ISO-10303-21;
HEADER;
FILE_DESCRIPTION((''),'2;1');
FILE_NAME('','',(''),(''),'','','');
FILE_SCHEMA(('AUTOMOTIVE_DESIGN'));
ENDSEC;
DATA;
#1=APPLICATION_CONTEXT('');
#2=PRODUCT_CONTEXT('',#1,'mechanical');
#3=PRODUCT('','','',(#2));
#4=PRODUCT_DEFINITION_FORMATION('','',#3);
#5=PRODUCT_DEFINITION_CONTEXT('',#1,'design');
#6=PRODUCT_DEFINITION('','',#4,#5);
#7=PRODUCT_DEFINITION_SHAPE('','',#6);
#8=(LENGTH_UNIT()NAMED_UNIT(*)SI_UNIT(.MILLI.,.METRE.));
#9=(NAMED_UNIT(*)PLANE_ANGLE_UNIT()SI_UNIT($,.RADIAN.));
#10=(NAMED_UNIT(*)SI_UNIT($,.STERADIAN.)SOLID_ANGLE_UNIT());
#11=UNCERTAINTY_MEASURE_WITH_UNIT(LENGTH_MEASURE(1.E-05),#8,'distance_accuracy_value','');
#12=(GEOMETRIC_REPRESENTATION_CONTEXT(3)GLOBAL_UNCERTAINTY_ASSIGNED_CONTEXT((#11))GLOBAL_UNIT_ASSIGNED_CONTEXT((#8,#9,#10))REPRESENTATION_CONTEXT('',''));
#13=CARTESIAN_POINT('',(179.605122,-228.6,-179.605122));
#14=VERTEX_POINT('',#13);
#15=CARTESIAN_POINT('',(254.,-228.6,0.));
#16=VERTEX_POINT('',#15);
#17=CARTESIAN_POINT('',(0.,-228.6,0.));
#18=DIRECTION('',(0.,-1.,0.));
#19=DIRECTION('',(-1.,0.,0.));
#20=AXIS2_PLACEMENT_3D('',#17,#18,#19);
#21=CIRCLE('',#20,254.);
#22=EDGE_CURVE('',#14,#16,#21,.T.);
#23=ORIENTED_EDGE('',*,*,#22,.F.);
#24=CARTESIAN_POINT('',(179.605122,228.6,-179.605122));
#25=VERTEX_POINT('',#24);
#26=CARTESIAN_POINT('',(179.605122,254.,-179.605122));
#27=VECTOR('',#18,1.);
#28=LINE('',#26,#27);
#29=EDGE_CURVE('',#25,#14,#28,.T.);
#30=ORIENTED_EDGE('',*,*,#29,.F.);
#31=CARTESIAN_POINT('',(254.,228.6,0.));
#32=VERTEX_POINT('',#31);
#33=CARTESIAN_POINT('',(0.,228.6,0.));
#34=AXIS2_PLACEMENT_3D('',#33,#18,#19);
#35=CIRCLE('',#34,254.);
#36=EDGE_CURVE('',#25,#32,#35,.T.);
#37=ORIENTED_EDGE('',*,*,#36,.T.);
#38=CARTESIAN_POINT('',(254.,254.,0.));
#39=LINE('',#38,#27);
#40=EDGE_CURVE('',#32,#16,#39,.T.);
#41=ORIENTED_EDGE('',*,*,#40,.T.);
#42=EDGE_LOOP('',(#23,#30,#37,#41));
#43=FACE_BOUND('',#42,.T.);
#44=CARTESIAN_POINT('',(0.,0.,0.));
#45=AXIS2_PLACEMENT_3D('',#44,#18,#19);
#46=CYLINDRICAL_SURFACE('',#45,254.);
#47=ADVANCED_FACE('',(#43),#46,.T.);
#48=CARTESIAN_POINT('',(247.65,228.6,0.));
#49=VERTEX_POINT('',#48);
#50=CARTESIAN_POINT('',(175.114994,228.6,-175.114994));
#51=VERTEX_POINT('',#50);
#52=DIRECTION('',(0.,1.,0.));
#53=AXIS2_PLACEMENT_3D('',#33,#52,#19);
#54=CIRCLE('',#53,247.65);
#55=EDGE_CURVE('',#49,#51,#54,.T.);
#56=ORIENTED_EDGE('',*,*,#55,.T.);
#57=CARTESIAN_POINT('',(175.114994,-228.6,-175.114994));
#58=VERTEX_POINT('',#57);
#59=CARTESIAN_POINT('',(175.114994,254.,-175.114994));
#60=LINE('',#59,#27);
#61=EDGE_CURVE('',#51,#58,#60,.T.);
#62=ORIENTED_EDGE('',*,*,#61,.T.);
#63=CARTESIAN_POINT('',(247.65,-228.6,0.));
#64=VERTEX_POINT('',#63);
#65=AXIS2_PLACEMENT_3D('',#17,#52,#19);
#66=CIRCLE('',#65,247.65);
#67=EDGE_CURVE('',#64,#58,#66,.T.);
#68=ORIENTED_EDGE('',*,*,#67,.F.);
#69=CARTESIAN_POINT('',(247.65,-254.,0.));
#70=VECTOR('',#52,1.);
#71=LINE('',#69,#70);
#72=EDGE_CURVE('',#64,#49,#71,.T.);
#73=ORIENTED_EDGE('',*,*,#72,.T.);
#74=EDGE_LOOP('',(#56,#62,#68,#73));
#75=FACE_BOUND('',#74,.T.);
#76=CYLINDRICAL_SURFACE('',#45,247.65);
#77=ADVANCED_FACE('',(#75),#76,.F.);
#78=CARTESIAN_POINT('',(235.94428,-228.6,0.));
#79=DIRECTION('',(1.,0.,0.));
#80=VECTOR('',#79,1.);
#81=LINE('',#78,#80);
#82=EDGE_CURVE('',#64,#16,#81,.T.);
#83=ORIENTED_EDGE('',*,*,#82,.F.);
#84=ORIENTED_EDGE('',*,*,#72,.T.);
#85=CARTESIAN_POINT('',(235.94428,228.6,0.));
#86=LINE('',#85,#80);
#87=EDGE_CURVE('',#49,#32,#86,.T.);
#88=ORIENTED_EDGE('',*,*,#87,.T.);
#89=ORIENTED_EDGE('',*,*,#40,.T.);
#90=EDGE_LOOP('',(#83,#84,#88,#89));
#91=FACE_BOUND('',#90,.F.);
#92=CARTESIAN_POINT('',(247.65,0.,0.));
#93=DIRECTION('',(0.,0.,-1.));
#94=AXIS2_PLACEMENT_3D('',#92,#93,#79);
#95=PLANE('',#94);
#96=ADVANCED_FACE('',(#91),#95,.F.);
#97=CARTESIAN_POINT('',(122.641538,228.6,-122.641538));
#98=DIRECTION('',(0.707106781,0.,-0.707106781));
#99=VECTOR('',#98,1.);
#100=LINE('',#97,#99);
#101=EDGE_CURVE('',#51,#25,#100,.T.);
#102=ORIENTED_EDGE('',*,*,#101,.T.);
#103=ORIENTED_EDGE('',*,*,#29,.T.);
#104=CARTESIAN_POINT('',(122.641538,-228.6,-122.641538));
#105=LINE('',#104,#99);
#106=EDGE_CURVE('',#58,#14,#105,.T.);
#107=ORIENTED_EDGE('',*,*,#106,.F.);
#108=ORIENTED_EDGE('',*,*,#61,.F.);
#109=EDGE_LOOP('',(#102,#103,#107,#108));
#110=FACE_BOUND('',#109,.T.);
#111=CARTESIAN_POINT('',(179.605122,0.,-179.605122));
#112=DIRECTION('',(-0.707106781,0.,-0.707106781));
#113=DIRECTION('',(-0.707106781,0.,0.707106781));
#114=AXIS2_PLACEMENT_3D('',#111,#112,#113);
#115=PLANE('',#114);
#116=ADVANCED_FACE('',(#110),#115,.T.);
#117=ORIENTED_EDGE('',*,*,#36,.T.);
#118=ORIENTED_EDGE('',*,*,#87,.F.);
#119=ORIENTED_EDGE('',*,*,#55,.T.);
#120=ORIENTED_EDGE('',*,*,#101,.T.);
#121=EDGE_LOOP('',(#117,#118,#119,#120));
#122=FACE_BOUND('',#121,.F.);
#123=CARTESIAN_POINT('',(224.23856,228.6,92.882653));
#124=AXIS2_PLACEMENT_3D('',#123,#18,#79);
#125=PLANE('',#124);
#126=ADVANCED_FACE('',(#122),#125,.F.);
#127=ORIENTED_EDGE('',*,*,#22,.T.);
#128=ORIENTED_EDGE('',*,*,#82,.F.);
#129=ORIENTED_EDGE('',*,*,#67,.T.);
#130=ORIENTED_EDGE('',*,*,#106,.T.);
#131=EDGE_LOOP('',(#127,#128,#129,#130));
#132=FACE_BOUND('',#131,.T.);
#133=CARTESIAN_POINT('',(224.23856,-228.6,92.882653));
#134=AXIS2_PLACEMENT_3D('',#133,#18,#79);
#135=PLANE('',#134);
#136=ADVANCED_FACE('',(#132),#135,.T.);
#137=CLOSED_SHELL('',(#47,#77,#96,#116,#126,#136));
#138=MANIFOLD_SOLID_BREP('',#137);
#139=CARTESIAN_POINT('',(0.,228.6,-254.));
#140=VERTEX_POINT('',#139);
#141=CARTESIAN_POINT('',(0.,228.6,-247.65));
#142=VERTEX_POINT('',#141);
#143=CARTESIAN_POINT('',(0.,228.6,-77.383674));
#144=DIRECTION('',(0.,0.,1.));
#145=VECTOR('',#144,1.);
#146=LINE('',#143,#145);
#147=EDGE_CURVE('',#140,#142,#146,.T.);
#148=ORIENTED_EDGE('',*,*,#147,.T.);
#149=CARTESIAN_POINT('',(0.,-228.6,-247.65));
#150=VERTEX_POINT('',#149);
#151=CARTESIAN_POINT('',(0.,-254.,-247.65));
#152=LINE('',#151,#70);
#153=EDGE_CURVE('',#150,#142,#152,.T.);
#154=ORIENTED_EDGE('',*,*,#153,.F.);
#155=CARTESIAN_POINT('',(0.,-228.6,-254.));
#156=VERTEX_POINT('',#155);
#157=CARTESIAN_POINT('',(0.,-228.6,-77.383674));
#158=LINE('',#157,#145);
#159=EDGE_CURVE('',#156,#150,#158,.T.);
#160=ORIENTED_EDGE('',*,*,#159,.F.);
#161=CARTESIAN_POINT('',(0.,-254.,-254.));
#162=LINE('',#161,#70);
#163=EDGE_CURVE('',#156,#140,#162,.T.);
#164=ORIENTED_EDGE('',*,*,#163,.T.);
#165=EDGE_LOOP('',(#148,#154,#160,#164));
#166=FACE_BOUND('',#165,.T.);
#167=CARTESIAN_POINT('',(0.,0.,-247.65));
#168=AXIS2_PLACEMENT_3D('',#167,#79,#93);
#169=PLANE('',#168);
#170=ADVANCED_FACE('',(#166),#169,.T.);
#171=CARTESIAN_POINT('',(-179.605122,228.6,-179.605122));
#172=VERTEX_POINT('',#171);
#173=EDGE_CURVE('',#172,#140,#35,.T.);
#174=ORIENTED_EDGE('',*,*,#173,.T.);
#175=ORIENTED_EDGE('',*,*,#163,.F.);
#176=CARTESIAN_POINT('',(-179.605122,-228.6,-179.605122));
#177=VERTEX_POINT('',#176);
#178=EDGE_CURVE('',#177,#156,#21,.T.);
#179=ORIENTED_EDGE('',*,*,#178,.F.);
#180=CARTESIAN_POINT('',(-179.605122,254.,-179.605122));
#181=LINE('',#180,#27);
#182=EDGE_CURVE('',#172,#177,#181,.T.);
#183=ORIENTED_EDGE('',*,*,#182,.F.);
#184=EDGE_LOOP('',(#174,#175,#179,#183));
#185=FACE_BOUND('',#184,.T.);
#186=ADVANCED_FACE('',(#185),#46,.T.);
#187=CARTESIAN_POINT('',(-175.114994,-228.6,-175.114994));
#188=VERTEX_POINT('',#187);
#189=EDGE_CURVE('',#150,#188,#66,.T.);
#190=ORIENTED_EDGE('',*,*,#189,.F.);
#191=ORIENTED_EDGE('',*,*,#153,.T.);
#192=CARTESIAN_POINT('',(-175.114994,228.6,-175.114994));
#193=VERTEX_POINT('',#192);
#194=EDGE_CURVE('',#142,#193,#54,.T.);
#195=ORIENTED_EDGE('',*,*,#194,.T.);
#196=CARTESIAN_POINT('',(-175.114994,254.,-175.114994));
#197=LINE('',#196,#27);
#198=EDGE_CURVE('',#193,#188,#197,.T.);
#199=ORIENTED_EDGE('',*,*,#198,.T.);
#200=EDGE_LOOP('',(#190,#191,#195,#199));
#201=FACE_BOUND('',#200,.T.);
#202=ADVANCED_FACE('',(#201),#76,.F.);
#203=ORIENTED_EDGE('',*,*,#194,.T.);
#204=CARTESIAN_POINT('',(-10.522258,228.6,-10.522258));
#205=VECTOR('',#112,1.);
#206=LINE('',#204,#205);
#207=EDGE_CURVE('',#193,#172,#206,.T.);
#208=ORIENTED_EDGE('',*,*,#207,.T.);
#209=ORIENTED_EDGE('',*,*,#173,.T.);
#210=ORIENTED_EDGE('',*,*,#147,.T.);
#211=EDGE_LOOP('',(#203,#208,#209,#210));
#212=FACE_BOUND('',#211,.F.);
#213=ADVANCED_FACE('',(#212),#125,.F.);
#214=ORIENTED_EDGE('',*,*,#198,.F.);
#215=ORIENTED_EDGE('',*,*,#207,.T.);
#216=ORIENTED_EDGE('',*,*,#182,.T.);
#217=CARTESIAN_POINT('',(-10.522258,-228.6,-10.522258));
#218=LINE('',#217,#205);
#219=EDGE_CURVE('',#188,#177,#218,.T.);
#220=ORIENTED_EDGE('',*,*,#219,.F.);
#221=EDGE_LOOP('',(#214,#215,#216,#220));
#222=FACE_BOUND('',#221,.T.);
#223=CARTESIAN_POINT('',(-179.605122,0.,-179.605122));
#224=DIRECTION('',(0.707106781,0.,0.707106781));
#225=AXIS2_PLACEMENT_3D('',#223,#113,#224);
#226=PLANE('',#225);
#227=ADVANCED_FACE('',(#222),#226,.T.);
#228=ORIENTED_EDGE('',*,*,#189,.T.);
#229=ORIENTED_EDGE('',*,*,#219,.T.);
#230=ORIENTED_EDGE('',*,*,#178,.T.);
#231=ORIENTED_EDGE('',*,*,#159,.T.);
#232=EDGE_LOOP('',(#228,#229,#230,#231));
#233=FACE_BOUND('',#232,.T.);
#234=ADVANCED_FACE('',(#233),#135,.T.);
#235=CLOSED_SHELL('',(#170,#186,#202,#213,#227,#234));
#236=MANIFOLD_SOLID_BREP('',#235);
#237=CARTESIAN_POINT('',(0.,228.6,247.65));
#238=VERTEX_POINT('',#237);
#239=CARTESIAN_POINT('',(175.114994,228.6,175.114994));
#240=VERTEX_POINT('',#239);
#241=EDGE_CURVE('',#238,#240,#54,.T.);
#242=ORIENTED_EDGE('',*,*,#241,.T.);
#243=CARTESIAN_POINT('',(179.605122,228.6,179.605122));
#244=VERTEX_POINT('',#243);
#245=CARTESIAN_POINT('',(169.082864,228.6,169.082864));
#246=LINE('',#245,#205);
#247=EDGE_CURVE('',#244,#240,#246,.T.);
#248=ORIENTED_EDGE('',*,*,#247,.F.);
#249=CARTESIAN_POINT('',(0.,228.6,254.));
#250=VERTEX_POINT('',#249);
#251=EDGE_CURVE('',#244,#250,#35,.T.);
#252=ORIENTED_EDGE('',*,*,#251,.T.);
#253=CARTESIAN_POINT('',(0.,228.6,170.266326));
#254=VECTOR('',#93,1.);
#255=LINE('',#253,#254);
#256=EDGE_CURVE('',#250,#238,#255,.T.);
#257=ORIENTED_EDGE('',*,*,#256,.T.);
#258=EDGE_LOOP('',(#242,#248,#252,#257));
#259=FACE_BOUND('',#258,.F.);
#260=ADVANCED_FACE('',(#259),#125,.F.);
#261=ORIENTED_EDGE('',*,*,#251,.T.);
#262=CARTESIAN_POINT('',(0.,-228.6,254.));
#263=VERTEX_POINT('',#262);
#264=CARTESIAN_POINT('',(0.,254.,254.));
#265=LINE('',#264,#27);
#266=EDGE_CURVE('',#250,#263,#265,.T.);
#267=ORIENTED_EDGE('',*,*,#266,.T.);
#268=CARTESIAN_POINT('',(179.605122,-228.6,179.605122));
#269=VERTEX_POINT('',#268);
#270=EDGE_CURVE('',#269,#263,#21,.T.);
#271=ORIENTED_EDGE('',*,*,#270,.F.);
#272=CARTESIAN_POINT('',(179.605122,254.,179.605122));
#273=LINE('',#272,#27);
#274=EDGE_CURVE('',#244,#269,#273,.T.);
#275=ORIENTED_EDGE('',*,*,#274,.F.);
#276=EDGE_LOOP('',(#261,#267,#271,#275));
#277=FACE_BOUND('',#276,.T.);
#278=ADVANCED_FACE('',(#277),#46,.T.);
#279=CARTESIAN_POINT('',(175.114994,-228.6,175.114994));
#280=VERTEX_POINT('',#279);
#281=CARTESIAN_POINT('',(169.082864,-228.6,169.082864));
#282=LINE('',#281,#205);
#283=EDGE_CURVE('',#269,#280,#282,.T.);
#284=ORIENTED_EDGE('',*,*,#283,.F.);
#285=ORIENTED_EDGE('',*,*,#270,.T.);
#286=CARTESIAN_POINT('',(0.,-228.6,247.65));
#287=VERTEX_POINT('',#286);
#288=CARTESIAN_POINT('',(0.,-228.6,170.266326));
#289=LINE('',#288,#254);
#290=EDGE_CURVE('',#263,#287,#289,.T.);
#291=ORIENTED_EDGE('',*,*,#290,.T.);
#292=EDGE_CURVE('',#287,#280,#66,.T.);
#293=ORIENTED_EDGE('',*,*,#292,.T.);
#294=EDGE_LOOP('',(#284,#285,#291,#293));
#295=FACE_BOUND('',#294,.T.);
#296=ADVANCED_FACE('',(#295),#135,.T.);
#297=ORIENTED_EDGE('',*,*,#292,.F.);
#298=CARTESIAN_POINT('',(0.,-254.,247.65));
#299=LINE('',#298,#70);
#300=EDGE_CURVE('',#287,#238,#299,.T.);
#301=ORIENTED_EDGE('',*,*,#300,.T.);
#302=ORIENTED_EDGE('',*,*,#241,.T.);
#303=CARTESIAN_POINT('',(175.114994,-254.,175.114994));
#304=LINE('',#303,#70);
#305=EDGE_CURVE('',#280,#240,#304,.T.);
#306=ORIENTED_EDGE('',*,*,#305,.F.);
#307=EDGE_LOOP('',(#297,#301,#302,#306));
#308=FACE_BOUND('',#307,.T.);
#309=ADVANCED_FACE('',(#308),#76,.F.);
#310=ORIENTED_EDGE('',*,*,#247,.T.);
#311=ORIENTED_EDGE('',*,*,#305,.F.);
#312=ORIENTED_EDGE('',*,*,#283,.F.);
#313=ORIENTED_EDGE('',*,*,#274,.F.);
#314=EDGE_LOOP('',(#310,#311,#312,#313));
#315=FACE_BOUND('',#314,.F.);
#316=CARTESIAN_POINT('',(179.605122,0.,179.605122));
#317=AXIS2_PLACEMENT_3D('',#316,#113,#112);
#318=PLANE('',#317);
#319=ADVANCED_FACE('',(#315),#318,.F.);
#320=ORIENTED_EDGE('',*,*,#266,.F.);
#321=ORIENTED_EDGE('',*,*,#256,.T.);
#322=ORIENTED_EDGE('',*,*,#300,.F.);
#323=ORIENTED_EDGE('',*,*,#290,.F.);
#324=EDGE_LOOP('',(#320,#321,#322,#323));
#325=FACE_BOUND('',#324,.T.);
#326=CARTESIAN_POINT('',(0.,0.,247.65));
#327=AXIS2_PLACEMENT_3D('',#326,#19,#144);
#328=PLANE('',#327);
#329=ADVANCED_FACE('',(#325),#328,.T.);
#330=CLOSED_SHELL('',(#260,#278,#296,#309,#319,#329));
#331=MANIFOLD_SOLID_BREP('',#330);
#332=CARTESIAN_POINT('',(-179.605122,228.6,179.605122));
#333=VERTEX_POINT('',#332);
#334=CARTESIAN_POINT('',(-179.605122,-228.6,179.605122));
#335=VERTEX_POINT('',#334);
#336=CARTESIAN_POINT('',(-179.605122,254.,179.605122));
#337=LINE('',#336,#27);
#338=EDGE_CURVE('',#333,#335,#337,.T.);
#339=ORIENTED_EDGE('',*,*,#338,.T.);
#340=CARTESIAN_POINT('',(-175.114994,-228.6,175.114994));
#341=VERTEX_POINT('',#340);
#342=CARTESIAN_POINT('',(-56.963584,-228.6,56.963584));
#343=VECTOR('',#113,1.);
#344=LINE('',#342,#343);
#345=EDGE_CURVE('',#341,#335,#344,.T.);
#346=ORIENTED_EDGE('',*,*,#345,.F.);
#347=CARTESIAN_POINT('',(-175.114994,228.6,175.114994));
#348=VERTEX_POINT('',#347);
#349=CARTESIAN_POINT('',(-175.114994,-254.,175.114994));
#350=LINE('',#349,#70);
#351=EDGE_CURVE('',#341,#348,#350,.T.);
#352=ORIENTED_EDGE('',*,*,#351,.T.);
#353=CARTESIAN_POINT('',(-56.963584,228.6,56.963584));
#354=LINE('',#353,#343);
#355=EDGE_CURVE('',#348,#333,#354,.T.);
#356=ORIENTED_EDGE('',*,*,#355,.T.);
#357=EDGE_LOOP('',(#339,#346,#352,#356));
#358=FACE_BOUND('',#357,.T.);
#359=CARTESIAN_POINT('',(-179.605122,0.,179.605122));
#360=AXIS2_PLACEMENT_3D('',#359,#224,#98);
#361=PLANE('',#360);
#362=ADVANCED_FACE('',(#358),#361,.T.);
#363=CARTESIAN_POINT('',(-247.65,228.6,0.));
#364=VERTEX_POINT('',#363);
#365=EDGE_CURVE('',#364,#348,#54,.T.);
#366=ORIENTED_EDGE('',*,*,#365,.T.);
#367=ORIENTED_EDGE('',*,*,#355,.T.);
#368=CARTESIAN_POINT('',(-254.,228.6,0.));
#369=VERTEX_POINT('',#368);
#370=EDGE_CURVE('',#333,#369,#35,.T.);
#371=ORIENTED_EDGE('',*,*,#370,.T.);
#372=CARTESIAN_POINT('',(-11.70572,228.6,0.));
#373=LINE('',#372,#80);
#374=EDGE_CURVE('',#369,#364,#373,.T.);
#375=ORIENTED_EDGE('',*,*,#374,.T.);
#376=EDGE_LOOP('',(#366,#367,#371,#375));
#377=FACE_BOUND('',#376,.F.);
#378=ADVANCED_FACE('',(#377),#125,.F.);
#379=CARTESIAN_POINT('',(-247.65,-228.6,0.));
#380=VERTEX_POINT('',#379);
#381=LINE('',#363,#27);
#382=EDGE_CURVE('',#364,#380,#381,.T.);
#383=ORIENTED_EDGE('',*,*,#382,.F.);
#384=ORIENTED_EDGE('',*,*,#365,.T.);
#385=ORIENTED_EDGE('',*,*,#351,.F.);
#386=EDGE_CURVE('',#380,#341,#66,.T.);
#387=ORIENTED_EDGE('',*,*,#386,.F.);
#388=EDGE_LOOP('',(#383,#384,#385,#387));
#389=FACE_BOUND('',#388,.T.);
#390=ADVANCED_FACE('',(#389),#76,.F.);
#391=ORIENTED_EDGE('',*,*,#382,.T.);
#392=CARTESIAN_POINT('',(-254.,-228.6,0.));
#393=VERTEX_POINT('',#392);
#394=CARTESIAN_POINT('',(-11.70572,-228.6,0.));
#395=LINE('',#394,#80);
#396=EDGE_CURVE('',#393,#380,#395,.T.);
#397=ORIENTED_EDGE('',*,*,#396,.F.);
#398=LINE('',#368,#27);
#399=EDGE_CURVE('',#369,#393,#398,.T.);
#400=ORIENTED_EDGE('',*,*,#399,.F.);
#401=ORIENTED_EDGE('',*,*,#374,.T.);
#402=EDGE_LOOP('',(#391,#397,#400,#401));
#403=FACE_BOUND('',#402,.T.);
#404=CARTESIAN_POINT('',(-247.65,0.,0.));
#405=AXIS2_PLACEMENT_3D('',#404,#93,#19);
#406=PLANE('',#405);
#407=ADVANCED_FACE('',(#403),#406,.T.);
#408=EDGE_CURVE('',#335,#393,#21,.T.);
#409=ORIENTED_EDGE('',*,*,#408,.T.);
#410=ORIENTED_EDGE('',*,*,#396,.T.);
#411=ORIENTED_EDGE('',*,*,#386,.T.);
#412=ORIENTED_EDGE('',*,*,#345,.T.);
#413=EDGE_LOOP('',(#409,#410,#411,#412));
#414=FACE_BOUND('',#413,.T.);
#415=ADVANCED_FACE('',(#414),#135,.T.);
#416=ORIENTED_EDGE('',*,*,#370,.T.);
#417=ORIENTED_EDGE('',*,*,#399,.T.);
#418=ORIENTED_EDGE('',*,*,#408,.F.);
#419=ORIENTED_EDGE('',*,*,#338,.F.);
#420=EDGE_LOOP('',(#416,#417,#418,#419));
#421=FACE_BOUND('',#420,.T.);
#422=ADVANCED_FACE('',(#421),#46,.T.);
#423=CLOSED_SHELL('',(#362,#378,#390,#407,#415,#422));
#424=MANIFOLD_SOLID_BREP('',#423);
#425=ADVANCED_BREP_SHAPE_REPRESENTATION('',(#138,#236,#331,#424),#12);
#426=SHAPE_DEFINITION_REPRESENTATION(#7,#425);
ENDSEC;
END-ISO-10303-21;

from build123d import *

# Parameters (mm, degrees)
F1_DEPTH = 228.6
F2_DEPTH = 254


with BuildPart() as f1:
    # F0 (on Front) → F1 (new body, symmetric)
    with BuildSketch(Plane.XZ):
        with BuildLine():
            Line((247.65, 0), (254, 0))
            ThreePointArc((254, 0), (234.6654012579, 97.2015918207), (179.6051224214, 179.6051224214))
            Line((179.6051224214, 179.6051224214), (175.1149943608, 175.1149943608))
            ThreePointArc((175.1149943608, 175.1149943608), (228.7987662264, 94.7715520252), (247.65, 0))
        make_face()
        with BuildLine():
            ThreePointArc((179.6051224214, -179.6051224214), (234.6654012579, -97.2015918207), (254, 0))
            Line((254, 0), (247.65, 0))
            ThreePointArc((247.65, 0), (228.7987662264, -94.7715520252), (175.1149943608, -175.1149943608))
            Line((175.1149943608, -175.1149943608), (179.6051224214, -179.6051224214))
        make_face()
        with BuildLine():
            Line((175.1149943608, 175.1149943608), (179.6051224214, 179.6051224214))
            ThreePointArc((179.6051224214, 179.6051224214), (97.2015918207, 234.6654012579), (0, 254))
            Line((0, 254), (0, 247.65))
            ThreePointArc((0, 247.65), (94.7715520252, 228.7987662264), (175.1149943608, 175.1149943608))
        make_face()
        with BuildLine():
            ThreePointArc((0, -254), (97.2015918207, -234.6654012579), (179.6051224214, -179.6051224214))
            Line((179.6051224214, -179.6051224214), (175.1149943608, -175.1149943608))
            ThreePointArc((175.1149943608, -175.1149943608), (94.7715520252, -228.7987662264), (0, -247.65))
            Line((0, -247.65), (0, -254))
        make_face()
        with BuildLine():
            Line((0, 247.65), (0, 254))
            ThreePointArc((0, 254), (-97.2015918207, 234.6654012579), (-179.6051224214, 179.6051224214))
            Line((-179.6051224214, 179.6051224214), (-175.1149943608, 175.1149943608))
            ThreePointArc((-175.1149943608, 175.1149943609), (-94.7715520252, 228.7987662264), (0, 247.65))
        make_face()
        with BuildLine():
            ThreePointArc((-179.6051224214, -179.6051224214), (-97.2015918207, -234.6654012579), (0, -254))
            Line((0, -254), (0, -247.65))
            ThreePointArc((0, -247.65), (-94.7715520252, -228.7987662264), (-175.1149943608, -175.1149943609))
            Line((-175.1149943608, -175.1149943608), (-179.6051224214, -179.6051224214))
        make_face()
        with BuildLine():
            Line((-175.1149943608, 175.1149943608), (-179.6051224214, 179.6051224214))
            ThreePointArc((-179.6051224214, 179.6051224214), (-234.6654012579, 97.2015918207), (-254, 0))
            Line((-254, 0), (-247.65, 0))
            ThreePointArc((-247.65, 0), (-228.7987662264, 94.7715520252), (-175.1149943608, 175.1149943609))
        make_face()
        with BuildLine():
            ThreePointArc((-254, 0), (-234.6654012579, -97.2015918207), (-179.6051224214, -179.6051224214))
            Line((-179.6051224214, -179.6051224214), (-175.1149943608, -175.1149943608))
            ThreePointArc((-175.1149943608, -175.1149943609), (-228.7987662264, -94.7715520252), (-247.65, 0))
            Line((-247.65, 0), (-254, 0))
        make_face()
    extrude(amount=F1_DEPTH, both=True)

    # F0 (on Front) → F2 (cut, symmetric)
    with BuildSketch(Plane.XZ):
        with BuildLine():
            Line((0, 247.65), (0, 254))
            ThreePointArc((0, 254), (-97.2015918207, 234.6654012579), (-179.6051224214, 179.6051224214))
            Line((-179.6051224214, 179.6051224214), (-175.1149943608, 175.1149943608))
            ThreePointArc((-175.1149943608, 175.1149943609), (-94.7715520252, 228.7987662264), (0, 247.65))
        make_face()
        with BuildLine():
            ThreePointArc((-254, 0), (-234.6654012579, -97.2015918207), (-179.6051224214, -179.6051224214))
            Line((-179.6051224214, -179.6051224214), (-175.1149943608, -175.1149943608))
            ThreePointArc((-175.1149943608, -175.1149943609), (-228.7987662264, -94.7715520252), (-247.65, 0))
            Line((-247.65, 0), (-254, 0))
        make_face()
        with BuildLine():
            ThreePointArc((0, -254), (97.2015918207, -234.6654012579), (179.6051224214, -179.6051224214))
            Line((179.6051224214, -179.6051224214), (175.1149943608, -175.1149943608))
            ThreePointArc((175.1149943608, -175.1149943608), (94.7715520252, -228.7987662264), (0, -247.65))
            Line((0, -247.65), (0, -254))
        make_face()
        with BuildLine():
            Line((247.65, 0), (254, 0))
            ThreePointArc((254, 0), (234.6654012579, 97.2015918207), (179.6051224214, 179.6051224214))
            Line((179.6051224214, 179.6051224214), (175.1149943608, 175.1149943608))
            ThreePointArc((175.1149943608, 175.1149943608), (228.7987662264, 94.7715520252), (247.65, 0))
        make_face()
    extrude(amount=F2_DEPTH, both=True, mode=Mode.SUBTRACT)


solid = f1.part
